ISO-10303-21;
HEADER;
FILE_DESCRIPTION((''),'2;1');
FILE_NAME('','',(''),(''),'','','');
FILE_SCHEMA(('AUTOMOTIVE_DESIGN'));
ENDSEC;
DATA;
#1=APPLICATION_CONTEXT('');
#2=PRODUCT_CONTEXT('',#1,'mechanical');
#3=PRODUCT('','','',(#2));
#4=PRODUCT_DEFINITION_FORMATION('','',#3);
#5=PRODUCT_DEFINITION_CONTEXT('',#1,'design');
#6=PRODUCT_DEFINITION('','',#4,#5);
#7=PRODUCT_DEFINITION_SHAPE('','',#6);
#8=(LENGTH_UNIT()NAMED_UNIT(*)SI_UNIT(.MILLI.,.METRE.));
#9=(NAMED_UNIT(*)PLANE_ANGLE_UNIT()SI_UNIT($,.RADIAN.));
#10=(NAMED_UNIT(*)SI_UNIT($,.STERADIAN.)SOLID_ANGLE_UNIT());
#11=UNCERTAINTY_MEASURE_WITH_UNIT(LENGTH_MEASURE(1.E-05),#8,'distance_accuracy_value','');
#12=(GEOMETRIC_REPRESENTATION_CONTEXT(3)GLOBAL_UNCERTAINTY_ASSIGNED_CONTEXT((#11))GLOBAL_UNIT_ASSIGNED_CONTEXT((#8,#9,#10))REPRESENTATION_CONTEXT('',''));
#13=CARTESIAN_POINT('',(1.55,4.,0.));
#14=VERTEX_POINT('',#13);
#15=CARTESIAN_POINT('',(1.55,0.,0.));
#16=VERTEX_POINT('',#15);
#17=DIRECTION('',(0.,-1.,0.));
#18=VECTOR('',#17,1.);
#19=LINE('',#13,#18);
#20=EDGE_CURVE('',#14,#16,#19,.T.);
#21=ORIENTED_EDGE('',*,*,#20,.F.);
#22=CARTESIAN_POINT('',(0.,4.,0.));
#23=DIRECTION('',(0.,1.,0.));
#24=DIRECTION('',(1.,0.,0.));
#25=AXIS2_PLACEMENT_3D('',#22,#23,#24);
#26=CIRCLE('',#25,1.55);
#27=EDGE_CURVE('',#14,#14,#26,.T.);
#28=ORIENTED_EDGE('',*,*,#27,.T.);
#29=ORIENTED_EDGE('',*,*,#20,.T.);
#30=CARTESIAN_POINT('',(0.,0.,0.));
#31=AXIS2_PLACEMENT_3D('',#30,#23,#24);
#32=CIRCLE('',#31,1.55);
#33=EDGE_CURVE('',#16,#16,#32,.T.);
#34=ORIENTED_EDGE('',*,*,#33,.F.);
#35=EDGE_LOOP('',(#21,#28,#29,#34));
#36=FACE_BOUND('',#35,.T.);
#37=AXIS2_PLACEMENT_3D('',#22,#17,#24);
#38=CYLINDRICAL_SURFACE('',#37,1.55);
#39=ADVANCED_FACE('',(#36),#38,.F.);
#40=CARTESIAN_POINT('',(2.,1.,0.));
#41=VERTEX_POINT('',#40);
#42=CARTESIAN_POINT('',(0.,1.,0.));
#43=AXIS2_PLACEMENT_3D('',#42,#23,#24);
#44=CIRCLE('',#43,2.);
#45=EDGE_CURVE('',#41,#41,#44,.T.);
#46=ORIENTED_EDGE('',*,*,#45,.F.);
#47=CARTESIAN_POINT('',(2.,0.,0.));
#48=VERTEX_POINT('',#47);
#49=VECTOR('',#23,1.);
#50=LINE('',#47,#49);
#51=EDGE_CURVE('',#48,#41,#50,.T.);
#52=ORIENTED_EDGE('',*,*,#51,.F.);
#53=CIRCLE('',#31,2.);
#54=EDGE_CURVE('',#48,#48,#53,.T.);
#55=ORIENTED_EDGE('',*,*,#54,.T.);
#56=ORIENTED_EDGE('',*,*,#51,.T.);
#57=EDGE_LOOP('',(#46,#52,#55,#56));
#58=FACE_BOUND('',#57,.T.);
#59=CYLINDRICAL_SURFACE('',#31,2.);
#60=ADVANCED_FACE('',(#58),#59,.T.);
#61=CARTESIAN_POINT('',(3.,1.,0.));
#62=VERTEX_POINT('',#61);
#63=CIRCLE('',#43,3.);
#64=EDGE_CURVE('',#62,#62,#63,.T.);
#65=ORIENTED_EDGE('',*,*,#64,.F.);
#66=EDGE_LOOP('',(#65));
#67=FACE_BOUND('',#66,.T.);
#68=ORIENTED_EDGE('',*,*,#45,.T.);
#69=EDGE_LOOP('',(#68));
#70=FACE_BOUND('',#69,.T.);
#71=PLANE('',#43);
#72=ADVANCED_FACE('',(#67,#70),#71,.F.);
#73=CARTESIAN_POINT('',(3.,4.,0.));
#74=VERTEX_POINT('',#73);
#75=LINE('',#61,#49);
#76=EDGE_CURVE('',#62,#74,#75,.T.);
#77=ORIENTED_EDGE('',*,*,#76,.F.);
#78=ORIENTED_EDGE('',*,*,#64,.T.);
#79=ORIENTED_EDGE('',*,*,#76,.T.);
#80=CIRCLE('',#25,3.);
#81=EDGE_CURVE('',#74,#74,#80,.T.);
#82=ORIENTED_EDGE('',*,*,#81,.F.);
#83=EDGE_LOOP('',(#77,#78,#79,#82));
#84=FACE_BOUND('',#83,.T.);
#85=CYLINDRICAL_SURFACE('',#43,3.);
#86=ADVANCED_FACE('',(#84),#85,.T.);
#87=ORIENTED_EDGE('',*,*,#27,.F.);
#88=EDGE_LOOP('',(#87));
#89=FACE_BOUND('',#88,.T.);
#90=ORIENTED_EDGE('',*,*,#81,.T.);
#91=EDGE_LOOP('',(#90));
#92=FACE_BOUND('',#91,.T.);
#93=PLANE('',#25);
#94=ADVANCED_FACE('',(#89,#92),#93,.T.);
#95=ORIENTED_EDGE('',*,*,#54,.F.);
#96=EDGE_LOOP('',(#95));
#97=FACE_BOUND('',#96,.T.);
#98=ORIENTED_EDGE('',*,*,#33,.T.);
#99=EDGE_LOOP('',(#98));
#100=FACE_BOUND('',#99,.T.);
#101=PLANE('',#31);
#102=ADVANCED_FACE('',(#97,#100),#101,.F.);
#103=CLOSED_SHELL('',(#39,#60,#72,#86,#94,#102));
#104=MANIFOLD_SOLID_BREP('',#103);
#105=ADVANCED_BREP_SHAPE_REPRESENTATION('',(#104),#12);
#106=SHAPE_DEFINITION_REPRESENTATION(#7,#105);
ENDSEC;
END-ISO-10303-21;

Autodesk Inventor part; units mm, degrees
ref_plane "YZ Plane" through (0, 0, 0) normal (1, 0, 0) x (0, 1, 0)
ref_plane "XZ Plane" through (0, 0, 0) normal (0, 1, 0) x (-1, 0, 0)
ref_plane "XY Plane" through (0, 0, 0) normal (0, 0, 1) x (1, 0, 0)
sketch "Sketch1" plane through (0, 0, 0) normal (0, 0, 1) x (1, 0, 0)
  line L0 (2, 0) -> (2, 1)
  line L1 (2, 1) -> (3, 1)
  line L2 (3, 1) -> (3, 4)
  line L3 (3, 4) -> (1.55, 4)
  line L4 (1.55, 4) -> (1.55, 0)
  line L5 (0, 0) -> (0, 8.8913)
  line L6 (1.55, 0) -> (2, 0)
  dimension "d0" = 4
  dimension "d1" = 1
  dimension "d2" = 3
  dimension "d3" = 3.1
  dimension "d4" = 6
revolve "Revolution1" add sketch "Sketch1" angle 360 about axis through (0, 0, 0) along (0, 1, 0)
equation "\"d0\" = od_b"
equation "\"d1\" = t2"
equation "\"d2\" = t1"
equation "\"d3\" = id"
equation "\"d4\" = od_a"
equation "\"od_a\" = 6"
equation "\"od_b\" = 4"
equation "\"t1\" = 3"
equation "\"t2\" = 1"
equation "\"id\" = 3.1"
properties part number "ceramic_bushing_M3-v1" material "Silicon Nitride"
